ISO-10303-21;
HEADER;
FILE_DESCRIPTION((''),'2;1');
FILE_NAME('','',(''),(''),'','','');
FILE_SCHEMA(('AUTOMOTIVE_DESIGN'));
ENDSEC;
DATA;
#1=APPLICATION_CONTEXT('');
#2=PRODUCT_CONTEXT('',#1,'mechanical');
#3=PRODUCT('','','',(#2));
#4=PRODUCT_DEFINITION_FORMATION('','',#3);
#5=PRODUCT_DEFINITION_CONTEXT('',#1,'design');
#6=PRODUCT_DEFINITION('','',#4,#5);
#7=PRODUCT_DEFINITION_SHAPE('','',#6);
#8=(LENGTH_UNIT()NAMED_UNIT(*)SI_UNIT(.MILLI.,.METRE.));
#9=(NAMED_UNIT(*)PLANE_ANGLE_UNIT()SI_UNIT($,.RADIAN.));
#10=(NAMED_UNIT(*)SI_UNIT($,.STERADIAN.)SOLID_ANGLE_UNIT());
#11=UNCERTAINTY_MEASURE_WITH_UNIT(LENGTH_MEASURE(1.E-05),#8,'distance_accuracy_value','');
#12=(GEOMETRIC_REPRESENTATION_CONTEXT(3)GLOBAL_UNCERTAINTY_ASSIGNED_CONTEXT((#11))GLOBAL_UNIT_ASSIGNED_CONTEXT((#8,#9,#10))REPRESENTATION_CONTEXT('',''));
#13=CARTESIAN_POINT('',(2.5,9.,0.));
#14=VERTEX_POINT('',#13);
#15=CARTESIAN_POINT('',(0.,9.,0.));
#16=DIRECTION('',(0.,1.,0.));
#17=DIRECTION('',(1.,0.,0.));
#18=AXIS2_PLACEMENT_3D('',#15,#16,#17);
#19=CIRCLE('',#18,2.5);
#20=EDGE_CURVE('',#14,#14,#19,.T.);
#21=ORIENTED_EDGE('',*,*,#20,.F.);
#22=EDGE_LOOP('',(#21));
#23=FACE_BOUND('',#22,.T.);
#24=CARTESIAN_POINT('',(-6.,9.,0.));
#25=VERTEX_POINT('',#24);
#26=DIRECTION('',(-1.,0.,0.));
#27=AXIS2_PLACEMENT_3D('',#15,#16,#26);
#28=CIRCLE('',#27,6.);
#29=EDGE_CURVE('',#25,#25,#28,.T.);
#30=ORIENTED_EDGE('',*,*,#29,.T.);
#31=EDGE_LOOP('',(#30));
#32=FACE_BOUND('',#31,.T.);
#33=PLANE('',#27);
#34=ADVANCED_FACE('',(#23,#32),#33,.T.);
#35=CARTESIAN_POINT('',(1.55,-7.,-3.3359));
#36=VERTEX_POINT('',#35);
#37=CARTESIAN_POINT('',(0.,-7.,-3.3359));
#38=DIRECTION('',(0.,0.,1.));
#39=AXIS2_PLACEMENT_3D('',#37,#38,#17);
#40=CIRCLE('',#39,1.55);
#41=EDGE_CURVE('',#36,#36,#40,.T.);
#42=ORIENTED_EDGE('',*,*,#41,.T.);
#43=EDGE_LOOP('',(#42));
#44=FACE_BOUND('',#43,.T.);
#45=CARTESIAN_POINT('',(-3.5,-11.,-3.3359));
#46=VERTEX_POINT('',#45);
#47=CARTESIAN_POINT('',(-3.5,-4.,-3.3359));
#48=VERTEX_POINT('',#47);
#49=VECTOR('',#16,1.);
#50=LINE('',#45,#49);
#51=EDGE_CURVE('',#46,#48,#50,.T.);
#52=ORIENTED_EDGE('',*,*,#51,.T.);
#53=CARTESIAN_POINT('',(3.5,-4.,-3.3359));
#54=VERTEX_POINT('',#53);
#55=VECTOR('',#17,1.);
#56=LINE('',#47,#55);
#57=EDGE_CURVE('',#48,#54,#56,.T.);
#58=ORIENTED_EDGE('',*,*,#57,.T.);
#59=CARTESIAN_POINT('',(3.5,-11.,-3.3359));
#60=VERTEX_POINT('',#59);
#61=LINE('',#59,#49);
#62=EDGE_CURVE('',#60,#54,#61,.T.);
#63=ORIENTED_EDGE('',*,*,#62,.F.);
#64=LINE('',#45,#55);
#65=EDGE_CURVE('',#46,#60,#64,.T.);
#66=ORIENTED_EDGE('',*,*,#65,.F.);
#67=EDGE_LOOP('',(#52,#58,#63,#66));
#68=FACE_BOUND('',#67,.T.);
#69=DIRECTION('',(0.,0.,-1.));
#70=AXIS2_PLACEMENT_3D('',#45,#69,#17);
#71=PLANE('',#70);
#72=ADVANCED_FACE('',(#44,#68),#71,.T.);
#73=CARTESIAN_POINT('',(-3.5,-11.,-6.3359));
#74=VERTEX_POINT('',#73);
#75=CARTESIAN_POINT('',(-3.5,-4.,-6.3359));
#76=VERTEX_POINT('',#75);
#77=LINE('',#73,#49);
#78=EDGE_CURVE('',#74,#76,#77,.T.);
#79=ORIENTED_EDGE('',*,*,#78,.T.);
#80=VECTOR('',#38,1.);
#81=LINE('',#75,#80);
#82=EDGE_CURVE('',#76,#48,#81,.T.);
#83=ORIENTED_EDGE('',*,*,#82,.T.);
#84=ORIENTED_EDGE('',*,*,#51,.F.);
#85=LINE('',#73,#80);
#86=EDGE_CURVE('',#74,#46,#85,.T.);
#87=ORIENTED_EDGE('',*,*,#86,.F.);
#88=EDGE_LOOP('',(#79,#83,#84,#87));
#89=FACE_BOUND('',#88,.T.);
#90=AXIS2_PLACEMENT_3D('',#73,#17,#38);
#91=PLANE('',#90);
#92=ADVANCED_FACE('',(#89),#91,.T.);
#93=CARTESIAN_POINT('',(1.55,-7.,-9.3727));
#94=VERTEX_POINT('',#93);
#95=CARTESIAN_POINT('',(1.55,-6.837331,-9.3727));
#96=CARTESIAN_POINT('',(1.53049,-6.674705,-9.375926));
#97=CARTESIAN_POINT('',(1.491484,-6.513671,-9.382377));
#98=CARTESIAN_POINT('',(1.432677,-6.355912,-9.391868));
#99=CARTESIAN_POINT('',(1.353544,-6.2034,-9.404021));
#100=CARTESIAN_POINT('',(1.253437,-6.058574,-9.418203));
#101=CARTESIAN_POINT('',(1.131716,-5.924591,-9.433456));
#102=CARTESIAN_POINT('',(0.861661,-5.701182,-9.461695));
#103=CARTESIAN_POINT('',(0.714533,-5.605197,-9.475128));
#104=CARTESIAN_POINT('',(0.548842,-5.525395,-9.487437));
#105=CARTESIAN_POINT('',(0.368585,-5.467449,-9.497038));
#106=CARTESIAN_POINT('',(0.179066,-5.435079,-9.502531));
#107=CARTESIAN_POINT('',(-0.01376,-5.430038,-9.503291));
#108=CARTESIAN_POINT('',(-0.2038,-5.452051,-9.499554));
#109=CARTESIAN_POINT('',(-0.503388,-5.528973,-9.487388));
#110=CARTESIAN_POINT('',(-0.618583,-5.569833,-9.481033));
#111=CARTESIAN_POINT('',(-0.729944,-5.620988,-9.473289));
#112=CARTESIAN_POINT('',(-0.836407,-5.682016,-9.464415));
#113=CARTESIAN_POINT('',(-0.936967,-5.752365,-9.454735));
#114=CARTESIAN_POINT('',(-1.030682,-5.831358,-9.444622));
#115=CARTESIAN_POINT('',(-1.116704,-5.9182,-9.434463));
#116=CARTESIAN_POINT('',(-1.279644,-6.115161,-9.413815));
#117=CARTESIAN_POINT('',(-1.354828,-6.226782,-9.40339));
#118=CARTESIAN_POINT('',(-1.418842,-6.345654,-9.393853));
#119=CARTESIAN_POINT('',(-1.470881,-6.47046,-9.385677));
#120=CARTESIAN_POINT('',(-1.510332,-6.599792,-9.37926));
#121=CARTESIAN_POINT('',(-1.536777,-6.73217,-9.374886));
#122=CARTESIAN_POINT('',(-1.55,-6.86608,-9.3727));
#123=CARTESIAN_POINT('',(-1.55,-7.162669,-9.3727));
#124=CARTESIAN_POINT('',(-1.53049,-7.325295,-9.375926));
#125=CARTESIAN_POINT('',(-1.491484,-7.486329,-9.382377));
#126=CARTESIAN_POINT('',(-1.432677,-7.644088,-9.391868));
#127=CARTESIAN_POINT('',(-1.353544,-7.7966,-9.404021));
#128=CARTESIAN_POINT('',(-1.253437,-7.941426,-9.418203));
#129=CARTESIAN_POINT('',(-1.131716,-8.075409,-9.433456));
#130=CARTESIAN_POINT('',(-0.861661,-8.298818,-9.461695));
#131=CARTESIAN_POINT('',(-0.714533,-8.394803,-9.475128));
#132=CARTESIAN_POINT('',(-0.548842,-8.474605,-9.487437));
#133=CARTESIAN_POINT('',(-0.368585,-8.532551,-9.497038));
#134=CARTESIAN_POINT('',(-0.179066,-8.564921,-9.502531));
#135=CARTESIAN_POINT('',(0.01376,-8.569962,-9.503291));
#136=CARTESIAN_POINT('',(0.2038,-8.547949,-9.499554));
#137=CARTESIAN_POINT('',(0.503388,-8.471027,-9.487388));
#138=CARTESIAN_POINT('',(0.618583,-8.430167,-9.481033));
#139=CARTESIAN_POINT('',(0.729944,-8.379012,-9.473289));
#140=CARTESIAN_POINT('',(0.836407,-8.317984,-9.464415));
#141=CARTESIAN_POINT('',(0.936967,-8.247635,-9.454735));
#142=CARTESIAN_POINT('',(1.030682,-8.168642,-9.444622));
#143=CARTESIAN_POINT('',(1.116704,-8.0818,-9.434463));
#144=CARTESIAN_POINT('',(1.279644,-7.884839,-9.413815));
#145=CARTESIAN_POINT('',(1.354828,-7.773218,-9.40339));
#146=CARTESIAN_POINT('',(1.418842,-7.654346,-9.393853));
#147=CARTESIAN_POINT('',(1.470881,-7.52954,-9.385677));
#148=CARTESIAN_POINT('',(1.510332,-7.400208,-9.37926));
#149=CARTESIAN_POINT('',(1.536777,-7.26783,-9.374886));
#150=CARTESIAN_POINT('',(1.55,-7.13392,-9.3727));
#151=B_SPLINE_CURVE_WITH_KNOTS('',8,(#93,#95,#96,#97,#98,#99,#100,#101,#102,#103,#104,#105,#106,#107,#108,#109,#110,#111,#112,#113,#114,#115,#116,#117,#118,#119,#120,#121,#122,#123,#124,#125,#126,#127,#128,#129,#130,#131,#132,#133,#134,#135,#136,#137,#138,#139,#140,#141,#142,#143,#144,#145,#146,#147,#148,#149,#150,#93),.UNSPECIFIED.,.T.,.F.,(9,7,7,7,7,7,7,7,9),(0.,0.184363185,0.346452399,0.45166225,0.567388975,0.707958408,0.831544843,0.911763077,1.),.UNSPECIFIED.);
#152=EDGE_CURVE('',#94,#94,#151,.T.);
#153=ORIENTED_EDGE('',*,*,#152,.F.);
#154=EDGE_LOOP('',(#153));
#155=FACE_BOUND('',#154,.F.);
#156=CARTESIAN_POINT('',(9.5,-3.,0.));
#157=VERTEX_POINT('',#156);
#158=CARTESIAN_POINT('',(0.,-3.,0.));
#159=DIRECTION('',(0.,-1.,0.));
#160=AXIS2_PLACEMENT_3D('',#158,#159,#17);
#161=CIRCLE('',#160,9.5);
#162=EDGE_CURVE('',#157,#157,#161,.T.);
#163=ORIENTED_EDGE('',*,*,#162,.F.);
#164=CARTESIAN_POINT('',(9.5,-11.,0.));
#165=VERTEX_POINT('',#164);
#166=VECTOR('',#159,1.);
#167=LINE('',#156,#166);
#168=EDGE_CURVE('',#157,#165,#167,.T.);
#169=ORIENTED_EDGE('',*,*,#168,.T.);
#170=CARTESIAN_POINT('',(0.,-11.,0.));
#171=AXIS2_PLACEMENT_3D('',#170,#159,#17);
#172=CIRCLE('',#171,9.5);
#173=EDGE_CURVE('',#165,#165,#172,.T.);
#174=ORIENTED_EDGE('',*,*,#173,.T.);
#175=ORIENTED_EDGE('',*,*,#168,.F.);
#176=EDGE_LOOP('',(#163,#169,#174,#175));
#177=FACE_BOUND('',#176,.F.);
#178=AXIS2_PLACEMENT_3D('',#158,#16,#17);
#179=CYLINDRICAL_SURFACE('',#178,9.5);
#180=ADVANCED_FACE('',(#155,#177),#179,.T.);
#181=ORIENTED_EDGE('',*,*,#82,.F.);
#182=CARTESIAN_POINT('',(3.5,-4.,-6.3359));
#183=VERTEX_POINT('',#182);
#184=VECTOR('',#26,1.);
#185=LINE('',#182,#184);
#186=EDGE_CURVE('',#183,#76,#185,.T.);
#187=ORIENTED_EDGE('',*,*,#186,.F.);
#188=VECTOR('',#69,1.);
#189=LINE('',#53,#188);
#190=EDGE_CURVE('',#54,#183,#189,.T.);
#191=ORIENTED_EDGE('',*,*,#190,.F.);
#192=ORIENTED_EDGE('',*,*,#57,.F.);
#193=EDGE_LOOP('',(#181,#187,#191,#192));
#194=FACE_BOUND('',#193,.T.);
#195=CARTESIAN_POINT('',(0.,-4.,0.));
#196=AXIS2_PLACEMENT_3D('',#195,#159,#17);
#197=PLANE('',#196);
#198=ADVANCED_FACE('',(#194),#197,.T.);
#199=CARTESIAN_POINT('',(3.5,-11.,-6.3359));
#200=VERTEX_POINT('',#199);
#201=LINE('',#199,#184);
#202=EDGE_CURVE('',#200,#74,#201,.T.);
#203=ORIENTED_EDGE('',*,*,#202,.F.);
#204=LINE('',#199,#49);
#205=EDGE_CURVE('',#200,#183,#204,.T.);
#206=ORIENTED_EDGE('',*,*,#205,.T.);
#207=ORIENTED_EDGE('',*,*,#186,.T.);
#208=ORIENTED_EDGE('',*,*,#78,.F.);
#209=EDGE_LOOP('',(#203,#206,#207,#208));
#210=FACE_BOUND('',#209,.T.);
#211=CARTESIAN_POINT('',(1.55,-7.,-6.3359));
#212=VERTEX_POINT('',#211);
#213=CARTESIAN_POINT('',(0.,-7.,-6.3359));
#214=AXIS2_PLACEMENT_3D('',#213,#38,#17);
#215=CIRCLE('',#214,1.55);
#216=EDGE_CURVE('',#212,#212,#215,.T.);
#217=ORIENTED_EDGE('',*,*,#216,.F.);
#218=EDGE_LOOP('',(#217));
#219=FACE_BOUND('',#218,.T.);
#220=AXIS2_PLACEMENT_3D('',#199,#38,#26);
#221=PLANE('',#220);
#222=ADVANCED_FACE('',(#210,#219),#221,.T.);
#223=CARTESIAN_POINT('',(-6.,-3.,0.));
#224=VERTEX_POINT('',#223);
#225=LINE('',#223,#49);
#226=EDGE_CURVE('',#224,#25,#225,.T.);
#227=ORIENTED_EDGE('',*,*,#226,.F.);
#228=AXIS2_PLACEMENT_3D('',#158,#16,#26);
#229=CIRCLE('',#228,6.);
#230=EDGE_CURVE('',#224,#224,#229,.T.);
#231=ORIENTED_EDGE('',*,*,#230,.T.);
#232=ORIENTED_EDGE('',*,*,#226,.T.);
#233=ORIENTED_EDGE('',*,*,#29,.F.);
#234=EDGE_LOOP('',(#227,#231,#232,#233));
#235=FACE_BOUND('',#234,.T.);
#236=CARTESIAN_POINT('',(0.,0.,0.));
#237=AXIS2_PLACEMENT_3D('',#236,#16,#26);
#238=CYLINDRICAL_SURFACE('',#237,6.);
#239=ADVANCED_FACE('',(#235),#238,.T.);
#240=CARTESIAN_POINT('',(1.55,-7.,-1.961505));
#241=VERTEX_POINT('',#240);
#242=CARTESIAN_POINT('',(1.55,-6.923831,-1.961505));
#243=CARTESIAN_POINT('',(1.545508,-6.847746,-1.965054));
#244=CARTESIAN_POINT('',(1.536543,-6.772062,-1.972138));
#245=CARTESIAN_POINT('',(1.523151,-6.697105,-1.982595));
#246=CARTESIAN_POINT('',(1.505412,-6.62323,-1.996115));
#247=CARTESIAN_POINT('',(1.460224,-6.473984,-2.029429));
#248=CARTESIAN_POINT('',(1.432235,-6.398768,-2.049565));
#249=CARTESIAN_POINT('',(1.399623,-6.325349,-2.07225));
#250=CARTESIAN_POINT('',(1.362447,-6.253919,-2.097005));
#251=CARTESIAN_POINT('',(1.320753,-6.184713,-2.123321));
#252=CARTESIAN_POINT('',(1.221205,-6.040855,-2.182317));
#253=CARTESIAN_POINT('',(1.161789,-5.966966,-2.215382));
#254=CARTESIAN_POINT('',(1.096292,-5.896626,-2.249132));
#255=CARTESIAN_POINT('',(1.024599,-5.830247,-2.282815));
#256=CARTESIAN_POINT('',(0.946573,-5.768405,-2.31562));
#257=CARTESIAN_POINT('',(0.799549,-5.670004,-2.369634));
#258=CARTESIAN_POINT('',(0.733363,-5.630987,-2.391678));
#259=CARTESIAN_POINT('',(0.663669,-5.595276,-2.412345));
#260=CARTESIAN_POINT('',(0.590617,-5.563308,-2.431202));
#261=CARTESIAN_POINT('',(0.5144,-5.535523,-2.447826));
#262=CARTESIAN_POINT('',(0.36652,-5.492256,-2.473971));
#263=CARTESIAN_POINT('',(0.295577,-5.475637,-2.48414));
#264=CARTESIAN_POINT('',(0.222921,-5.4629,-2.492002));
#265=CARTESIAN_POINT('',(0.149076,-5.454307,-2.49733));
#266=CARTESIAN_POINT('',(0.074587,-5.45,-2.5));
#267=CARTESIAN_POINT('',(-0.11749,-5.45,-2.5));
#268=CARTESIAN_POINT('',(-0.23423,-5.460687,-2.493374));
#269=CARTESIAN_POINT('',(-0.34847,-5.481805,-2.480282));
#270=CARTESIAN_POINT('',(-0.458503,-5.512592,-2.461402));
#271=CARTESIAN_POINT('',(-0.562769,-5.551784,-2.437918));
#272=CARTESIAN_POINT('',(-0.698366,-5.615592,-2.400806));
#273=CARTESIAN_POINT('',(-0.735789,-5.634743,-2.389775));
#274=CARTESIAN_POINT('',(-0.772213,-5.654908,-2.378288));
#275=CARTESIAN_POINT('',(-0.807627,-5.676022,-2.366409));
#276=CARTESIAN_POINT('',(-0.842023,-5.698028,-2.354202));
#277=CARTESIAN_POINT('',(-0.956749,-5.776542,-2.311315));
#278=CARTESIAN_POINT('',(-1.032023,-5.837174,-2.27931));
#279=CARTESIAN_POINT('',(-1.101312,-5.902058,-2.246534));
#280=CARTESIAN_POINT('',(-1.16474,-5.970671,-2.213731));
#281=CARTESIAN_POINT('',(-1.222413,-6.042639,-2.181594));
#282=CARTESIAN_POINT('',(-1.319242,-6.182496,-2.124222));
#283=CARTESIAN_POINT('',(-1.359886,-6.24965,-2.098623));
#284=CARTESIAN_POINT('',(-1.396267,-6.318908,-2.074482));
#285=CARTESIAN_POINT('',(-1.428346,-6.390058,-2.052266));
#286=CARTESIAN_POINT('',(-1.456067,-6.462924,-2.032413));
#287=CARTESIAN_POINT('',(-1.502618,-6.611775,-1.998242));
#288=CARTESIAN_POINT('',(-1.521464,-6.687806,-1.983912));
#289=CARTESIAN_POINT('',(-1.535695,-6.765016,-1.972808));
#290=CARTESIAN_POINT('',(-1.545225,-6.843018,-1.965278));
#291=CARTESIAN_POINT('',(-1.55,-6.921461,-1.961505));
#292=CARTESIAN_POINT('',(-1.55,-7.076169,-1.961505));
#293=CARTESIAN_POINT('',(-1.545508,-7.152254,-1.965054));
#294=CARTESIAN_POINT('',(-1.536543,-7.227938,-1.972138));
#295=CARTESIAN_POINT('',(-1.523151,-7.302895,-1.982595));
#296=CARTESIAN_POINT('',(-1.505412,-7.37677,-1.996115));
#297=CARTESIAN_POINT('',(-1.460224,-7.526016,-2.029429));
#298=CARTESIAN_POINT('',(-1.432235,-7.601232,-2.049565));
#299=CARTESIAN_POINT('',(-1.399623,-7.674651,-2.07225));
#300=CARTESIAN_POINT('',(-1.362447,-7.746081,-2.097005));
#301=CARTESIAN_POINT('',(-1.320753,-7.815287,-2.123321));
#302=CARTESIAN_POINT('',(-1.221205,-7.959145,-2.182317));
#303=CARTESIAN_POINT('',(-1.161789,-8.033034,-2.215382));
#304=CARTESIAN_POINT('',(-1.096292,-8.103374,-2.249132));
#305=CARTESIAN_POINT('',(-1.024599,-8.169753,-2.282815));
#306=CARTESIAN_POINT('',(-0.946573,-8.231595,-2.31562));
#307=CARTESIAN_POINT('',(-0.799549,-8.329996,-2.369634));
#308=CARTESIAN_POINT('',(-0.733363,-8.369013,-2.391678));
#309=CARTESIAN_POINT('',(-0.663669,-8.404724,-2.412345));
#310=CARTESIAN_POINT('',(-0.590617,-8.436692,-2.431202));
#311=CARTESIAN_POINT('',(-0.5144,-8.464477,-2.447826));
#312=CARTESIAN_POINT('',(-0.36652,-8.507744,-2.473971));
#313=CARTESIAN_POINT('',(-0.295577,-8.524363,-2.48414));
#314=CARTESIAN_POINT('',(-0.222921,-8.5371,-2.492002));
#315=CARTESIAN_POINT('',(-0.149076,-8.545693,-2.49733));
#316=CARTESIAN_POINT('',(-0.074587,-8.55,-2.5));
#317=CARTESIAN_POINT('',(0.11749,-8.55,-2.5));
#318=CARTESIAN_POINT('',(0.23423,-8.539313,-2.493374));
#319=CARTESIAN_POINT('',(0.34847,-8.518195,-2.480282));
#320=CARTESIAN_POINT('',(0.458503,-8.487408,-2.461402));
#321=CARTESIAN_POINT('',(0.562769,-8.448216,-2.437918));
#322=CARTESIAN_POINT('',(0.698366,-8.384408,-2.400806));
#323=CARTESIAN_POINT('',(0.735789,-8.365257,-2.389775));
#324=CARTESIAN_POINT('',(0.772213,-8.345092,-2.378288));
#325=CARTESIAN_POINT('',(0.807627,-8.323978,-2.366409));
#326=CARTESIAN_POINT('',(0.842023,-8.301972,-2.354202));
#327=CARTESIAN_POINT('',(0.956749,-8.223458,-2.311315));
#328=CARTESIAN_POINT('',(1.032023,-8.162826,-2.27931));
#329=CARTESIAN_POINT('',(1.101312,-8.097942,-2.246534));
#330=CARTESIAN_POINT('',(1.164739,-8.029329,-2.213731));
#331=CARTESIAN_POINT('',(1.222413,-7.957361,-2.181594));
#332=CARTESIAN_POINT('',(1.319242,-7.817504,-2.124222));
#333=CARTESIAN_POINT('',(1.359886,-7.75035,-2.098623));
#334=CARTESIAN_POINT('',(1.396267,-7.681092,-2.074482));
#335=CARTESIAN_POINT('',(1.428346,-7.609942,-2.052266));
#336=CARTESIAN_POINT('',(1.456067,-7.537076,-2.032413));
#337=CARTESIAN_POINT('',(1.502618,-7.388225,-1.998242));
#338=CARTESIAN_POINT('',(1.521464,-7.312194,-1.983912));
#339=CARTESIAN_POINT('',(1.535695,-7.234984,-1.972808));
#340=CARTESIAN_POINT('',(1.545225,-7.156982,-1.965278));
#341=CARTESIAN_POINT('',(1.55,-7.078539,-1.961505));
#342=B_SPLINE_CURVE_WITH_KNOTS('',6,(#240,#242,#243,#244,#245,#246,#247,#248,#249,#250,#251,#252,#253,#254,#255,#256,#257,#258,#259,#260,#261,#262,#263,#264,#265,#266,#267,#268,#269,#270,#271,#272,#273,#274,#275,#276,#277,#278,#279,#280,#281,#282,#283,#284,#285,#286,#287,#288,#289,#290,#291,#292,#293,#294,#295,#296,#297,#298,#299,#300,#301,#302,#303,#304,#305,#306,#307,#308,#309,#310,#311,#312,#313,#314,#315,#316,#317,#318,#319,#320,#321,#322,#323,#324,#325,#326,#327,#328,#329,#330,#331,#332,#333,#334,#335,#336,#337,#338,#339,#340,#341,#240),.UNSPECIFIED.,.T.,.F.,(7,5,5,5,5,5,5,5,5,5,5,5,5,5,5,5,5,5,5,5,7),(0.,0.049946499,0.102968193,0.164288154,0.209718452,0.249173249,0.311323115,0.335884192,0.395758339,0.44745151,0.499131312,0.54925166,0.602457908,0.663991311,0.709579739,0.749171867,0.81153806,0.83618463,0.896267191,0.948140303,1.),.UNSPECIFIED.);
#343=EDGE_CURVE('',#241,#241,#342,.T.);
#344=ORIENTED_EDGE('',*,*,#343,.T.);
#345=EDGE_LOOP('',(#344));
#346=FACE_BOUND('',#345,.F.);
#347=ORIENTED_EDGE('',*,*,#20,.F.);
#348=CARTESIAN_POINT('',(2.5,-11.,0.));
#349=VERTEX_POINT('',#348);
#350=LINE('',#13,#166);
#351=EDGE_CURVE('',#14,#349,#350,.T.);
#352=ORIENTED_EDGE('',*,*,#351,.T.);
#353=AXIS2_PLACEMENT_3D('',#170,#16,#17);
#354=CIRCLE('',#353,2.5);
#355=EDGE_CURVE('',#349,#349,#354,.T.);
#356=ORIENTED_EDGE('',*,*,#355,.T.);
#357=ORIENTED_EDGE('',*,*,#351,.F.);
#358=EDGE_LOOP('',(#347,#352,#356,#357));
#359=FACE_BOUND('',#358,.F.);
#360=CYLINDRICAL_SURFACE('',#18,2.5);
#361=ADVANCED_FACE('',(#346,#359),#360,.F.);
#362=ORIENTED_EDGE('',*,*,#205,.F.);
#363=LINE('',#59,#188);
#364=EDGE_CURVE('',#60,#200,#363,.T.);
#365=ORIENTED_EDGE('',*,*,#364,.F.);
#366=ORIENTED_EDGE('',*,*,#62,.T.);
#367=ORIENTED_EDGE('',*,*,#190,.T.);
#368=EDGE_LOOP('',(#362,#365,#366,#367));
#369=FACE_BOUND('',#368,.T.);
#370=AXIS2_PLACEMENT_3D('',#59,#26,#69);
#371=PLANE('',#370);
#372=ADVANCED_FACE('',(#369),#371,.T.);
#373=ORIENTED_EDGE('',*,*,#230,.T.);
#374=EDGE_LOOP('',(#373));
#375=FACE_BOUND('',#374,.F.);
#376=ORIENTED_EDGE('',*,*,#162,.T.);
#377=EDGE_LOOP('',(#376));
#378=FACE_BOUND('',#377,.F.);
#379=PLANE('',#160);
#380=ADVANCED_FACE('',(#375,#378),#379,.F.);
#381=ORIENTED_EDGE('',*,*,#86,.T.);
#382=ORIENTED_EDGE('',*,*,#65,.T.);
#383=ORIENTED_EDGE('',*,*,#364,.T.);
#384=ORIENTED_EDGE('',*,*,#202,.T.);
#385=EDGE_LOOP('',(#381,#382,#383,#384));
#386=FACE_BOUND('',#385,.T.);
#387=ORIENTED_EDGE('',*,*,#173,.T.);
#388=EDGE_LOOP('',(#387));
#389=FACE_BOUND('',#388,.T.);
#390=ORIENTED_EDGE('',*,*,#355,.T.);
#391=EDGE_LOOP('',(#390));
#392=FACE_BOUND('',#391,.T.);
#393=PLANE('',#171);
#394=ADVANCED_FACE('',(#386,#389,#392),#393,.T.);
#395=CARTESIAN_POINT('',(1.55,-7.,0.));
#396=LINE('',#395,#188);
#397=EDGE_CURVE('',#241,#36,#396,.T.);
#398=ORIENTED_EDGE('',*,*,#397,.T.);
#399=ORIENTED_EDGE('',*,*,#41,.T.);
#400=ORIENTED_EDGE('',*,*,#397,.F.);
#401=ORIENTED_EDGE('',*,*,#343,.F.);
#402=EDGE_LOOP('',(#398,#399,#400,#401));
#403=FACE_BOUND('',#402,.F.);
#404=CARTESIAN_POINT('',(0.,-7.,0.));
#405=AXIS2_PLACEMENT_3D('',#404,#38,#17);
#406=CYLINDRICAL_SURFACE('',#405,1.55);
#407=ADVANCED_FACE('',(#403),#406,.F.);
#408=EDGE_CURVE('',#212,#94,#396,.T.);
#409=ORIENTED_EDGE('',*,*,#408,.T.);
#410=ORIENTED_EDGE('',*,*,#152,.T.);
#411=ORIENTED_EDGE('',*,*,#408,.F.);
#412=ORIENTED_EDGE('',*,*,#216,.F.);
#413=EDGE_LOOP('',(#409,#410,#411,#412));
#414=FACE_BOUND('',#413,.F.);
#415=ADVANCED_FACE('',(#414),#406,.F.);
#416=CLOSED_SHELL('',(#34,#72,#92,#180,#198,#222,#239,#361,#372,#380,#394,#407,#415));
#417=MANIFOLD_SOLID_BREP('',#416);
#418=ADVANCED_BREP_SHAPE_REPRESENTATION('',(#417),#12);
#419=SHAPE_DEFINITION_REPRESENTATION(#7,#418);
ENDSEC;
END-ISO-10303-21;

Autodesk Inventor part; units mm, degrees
ref_plane "YZ Plane" through (0, 0, 0) normal (1, 0, 0) x (0, 1, 0)
ref_plane "XZ Plane" through (0, 0, 0) normal (0, 1, 0) x (-1, 0, 0)
ref_plane "XY Plane" through (0, 0, 0) normal (0, 0, 1) x (1, 0, 0)
sketch "Sketch1" plane through (0, 0, 0) normal (0, 1, 0) x (-1, 0, 0)
  circle A0 centre (0, 0) radius 6
  dimension "d0" = 12
extrude "Extrusion1" add sketch "Sketch1" along normal blind 9 and the other way blind 3
sketch "Sketch2" plane through (0, -3, 0) normal (0, -1, 0) x (1, 0, 0)
  circle A0 centre (0, 0) radius 9.5
  dimension "d3" = 19
extrude "Extrusion2" add sketch "Sketch2" along normal blind 8
sketch "Sketch7" plane through (0, 0, 0) normal (0, 0, 1) x (1, 0, 0)
  point P0 (0, 0)
sketch "Sketch9" plane through (0, 0, 0) normal (0, 0, 1) x (1, 0, 0)
  circle A0 centre (0, -7) radius 1.55
  line L0 (-9.5, -11) -> (9.5, -11) projected
  line L1 (0, -11) -> (0, -3)
  line L2 (0, -11) -> (0, -3)
  line L3 (-6, -3) -> (6, -3) projected
  point P0 (0, 0)
  point P1 (0, -7)
  dimension "d22" = 3.1
extrude "Extrusion8" cut sketch "Sketch9" against normal up to next
sketch "Sketch10" plane through (0, 9, 0) normal (0, 1, 0) x (1, 0, 0)
  circle A0 centre (0, 0) radius 2.5
  dimension "d26" = 5
extrude "Extrusion9" cut sketch "Sketch10" against normal through all
sketch "Sketch11" plane through (0, -11, 0) normal (0, -1, 0) x (1, 0, 0)
  line L0 (3.5, -6.3359) -> (-3.5, -6.3359)
  line L1 (-3.5, -6.3359) -> (-3.5, -3.3359)
  line L2 (-3.5, -3.3359) -> (3.5, -3.3359)
  line L3 (3.5, -3.3359) -> (3.5, -6.3359)
  circle A0 centre (0, 0) radius 9.5 projected
  circle A1 centre (0, 0) radius 2.5 projected
  point P0 (0, -3.3359)
  dimension "d29" = 7
  dimension "d30" = 3
extrude "Extrusion10" cut sketch "Sketch11" against normal blind 7 contours L0 L1 L2 L3
properties part number "штука от моторчика2015" material "Bronze, Cast"
